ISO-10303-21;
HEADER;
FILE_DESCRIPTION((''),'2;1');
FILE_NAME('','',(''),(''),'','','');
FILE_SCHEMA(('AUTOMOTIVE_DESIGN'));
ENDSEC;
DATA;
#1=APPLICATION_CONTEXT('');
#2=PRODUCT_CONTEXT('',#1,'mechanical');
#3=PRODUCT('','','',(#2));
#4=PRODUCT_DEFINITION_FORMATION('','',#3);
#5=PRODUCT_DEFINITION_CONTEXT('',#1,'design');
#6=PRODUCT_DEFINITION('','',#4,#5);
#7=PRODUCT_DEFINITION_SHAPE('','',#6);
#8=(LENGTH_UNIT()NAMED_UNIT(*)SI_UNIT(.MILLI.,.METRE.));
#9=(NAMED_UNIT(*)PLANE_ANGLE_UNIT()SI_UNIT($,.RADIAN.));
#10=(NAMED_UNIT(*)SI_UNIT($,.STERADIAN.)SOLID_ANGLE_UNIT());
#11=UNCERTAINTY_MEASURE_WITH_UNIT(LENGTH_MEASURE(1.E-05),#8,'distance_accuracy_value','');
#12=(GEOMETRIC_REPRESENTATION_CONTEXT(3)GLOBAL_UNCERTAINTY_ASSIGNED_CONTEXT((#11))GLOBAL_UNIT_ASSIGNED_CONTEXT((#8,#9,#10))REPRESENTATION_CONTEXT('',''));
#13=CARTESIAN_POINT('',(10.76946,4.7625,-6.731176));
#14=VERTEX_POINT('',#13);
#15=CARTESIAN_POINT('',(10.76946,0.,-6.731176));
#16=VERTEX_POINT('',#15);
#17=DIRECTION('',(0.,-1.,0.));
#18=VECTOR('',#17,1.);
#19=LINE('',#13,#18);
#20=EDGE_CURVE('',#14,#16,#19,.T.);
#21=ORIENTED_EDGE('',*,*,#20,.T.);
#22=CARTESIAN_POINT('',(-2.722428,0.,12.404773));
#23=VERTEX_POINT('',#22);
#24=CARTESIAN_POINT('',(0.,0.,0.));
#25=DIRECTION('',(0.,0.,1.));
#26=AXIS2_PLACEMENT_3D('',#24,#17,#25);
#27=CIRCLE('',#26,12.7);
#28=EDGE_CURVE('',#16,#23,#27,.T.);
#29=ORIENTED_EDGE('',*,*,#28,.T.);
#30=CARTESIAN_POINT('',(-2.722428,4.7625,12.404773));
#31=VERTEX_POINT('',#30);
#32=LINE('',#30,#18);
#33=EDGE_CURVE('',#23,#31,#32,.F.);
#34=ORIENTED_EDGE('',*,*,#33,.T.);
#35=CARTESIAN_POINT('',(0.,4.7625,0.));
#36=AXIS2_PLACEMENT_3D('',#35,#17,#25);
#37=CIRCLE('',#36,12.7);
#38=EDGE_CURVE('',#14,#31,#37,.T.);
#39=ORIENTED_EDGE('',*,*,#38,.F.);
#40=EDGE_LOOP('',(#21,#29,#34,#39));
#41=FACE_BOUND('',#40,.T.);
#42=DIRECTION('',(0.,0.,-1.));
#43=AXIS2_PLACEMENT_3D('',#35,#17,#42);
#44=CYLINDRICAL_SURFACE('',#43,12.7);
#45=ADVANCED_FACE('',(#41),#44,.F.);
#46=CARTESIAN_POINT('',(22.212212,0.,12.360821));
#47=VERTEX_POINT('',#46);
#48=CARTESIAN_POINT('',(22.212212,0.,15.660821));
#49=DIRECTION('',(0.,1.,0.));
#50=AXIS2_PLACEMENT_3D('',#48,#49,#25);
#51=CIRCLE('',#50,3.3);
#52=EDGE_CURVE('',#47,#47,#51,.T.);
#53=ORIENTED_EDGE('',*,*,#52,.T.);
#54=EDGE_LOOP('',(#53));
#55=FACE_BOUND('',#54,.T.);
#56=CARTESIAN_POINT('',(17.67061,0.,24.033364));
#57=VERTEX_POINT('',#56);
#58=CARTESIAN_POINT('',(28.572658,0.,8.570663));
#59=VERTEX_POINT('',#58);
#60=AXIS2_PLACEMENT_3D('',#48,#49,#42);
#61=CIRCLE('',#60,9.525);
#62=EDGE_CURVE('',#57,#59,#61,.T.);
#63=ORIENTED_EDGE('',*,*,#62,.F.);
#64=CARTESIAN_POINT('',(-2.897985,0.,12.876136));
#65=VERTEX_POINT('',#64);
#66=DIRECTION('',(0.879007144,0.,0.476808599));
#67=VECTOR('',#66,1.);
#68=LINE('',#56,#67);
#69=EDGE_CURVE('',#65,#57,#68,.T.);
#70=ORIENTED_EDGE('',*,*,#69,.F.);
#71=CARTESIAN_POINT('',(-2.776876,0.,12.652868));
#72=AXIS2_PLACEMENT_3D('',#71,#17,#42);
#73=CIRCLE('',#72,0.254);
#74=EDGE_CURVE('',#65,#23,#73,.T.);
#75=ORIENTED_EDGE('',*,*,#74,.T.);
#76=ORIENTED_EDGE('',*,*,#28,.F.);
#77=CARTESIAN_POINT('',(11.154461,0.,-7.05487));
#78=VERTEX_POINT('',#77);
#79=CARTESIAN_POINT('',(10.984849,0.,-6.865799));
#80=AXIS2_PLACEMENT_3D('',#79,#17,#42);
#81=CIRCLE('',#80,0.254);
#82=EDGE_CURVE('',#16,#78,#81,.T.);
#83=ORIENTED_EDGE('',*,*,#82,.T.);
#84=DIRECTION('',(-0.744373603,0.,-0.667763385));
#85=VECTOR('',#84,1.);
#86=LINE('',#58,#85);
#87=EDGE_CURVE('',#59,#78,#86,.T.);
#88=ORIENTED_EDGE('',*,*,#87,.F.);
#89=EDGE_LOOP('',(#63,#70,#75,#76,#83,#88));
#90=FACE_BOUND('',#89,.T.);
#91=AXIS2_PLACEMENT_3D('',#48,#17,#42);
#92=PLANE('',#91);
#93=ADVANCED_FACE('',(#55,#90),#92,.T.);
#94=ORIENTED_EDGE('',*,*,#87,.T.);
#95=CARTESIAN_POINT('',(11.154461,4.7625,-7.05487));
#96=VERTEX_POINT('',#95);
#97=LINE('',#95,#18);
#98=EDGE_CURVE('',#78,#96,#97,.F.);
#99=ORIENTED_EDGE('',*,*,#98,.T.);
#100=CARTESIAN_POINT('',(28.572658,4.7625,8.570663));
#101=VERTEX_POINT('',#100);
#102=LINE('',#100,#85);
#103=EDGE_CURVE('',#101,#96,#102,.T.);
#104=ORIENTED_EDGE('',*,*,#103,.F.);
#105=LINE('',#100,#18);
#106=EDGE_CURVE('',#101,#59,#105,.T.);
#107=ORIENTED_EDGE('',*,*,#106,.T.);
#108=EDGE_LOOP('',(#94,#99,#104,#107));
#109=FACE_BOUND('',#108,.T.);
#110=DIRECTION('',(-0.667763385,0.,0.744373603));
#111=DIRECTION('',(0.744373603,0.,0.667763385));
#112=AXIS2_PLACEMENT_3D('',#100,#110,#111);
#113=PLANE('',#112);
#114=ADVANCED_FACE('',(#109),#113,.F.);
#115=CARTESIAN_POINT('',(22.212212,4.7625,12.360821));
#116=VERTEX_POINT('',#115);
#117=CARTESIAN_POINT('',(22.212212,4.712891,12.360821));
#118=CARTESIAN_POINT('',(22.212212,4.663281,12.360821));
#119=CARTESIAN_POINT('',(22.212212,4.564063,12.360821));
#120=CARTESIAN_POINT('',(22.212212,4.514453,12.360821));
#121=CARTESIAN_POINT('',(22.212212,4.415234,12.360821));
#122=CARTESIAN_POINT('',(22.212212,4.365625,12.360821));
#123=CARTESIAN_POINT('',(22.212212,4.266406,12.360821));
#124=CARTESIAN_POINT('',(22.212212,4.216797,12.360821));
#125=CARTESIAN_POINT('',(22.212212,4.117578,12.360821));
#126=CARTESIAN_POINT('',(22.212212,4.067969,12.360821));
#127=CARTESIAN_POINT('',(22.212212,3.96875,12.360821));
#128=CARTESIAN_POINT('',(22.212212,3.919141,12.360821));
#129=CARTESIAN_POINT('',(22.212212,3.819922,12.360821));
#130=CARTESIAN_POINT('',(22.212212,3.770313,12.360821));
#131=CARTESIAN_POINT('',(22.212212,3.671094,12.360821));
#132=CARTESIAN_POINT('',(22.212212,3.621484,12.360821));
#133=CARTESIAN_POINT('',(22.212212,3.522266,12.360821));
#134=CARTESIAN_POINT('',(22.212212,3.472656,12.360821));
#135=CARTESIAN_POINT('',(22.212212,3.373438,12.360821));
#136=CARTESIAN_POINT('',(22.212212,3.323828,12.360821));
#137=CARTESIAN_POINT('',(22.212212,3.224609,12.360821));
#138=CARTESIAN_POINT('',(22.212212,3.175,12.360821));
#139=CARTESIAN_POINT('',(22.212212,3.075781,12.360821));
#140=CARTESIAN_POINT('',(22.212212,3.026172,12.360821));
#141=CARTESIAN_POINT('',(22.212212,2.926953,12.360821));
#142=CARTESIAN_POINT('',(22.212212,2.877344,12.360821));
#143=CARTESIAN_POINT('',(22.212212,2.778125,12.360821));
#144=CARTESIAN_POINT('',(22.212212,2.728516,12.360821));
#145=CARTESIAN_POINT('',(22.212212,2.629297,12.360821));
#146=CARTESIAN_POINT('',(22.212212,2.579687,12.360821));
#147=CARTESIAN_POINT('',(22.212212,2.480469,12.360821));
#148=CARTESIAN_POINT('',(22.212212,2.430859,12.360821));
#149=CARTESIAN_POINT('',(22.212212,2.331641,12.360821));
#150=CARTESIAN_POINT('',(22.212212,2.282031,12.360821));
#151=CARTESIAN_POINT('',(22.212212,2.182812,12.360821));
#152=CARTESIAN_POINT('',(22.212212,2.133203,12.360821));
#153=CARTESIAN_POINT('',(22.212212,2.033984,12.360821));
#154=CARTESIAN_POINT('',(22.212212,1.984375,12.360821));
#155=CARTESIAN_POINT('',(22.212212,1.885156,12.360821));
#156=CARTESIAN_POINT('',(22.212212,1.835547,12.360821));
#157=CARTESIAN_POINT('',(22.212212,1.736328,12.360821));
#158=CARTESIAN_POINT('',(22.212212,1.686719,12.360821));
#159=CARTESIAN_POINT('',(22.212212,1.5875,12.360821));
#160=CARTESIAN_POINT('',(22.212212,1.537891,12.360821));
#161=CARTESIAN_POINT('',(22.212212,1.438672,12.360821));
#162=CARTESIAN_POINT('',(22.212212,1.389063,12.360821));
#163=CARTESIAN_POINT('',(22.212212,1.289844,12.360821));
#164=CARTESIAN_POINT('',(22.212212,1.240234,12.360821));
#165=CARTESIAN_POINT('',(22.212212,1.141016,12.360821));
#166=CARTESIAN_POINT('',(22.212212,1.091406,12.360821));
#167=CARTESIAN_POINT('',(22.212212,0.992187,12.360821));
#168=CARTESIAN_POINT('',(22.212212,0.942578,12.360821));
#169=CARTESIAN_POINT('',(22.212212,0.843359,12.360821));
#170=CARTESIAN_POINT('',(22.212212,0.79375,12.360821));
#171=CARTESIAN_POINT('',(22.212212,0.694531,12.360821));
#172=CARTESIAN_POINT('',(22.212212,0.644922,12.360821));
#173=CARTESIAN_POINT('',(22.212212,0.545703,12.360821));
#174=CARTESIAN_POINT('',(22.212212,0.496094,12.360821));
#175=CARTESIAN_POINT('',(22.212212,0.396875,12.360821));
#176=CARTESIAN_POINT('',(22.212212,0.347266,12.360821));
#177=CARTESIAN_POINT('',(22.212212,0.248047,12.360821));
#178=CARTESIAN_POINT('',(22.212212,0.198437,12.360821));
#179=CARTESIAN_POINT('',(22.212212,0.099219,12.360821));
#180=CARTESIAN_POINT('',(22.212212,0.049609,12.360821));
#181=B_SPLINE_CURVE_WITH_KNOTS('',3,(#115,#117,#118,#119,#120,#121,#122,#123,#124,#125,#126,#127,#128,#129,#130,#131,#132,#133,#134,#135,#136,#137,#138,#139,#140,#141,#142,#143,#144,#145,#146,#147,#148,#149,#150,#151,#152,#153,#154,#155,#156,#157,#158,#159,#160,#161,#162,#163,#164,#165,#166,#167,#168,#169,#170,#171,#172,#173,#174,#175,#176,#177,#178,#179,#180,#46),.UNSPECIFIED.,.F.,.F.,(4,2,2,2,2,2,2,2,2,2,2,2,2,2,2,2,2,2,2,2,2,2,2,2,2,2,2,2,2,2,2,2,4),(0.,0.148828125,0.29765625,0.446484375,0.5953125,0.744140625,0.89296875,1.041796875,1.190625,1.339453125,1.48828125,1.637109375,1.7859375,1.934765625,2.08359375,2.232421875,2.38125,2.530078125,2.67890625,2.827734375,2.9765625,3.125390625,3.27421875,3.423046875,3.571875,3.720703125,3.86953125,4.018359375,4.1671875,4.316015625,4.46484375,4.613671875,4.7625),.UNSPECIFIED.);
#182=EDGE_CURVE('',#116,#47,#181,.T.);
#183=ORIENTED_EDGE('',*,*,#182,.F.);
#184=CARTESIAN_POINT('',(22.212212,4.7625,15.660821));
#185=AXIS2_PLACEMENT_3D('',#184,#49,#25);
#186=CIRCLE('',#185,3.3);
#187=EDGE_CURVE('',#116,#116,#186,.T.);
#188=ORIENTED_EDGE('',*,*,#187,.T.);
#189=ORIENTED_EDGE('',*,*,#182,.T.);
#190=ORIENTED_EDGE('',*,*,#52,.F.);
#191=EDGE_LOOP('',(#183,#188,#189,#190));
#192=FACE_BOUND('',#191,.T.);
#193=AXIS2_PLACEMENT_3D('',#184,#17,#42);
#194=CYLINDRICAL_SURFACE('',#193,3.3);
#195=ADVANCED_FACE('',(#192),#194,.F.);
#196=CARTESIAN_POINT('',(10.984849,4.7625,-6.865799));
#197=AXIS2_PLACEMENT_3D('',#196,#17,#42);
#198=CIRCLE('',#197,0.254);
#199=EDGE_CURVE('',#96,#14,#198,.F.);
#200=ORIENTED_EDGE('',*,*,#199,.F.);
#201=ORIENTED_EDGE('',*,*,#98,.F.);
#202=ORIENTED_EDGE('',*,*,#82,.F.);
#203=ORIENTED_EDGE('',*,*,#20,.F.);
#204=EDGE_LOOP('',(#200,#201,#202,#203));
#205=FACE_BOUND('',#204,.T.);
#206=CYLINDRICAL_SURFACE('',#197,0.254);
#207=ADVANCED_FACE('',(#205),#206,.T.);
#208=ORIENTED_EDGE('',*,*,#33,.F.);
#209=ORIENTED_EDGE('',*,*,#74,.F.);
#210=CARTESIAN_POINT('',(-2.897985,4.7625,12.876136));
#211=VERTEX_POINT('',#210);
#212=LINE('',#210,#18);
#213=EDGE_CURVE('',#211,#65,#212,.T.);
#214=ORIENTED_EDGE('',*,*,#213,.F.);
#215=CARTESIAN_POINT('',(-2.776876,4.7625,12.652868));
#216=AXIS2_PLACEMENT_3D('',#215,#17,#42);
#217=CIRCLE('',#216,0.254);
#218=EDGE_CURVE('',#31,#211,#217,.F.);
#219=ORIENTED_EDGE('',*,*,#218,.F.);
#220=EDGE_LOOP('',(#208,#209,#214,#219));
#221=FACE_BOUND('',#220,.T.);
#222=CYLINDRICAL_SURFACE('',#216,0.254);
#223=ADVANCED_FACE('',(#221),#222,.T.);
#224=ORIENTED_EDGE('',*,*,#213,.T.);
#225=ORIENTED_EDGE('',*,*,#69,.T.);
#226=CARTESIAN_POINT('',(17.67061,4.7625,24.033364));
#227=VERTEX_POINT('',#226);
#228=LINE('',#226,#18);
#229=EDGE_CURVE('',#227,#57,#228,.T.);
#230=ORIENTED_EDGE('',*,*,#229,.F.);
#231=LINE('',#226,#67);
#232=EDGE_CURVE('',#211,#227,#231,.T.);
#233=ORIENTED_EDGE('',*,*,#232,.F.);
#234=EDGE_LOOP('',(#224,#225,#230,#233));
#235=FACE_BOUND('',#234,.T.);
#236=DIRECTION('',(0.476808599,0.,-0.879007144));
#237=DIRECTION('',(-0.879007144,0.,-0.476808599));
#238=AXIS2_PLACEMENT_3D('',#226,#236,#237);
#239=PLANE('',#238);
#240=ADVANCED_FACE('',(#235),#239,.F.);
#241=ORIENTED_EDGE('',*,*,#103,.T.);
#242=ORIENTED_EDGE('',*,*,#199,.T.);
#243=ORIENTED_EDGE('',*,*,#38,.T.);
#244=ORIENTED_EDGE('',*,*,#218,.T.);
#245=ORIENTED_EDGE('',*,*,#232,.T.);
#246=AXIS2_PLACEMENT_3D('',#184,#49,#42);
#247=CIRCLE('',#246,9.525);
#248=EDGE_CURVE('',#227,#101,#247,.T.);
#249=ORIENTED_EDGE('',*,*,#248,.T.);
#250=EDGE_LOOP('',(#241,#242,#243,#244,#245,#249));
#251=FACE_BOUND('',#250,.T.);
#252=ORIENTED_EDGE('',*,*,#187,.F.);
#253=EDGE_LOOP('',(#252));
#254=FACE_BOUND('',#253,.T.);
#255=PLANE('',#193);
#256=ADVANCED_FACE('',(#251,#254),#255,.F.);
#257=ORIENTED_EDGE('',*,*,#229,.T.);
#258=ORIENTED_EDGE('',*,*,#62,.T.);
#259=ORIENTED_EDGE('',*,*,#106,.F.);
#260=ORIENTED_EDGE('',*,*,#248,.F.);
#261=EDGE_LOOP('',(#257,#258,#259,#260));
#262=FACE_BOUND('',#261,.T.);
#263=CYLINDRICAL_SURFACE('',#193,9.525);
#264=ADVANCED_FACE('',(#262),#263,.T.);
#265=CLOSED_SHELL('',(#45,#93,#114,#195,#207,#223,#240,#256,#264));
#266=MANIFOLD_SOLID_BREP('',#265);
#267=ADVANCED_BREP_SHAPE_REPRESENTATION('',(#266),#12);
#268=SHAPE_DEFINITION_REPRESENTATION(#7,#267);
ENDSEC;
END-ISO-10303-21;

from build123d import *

# Parameters (mm, degrees)
SKETCH1_R           = 3.3
BOSS_EXTRUDE1_DEPTH = 4.7625
FILLET1_R           = 0.254


with BuildPart() as part:
    # Sketch1 → Boss-Extrude1 (new body)
    with BuildSketch(Plane(origin=(0, 0, 0), x_dir=(1, 0, 0), z_dir=(0, 1, 0))):
        with BuildLine():
            Line((17.670610129, -24.03336424), (-6.055469212, -11.163390731))
            ThreePointArc((-6.055469212, -11.163390731), (10.379538335, -7.318140744), (8.480594992, 9.453544763))
            Line((8.480594992, 9.453544763), (28.572658281, -8.570662619))
            ThreePointArc((28.572658281, -8.570662619), (29.996865789, -21.149426749), (17.670610129, -24.03336424))
        make_face()
        with Locations(Location((22.212212038, -15.660821191, 0), (0, 0, 90))):
            Circle(SKETCH1_R, mode=Mode.SUBTRACT)
    extrude(amount=BOSS_EXTRUDE1_DEPTH)

    # Fillet1
    fillet1_edges = [part.edges().sort_by_distance(p)[0] for p in [
        (-6.055469212, 2.38125, 11.163390731),
        (8.480594992, 2.38125, -9.453544763),
    ]]
    fillet(fillet1_edges, radius=FILLET1_R)


solid = part.part
